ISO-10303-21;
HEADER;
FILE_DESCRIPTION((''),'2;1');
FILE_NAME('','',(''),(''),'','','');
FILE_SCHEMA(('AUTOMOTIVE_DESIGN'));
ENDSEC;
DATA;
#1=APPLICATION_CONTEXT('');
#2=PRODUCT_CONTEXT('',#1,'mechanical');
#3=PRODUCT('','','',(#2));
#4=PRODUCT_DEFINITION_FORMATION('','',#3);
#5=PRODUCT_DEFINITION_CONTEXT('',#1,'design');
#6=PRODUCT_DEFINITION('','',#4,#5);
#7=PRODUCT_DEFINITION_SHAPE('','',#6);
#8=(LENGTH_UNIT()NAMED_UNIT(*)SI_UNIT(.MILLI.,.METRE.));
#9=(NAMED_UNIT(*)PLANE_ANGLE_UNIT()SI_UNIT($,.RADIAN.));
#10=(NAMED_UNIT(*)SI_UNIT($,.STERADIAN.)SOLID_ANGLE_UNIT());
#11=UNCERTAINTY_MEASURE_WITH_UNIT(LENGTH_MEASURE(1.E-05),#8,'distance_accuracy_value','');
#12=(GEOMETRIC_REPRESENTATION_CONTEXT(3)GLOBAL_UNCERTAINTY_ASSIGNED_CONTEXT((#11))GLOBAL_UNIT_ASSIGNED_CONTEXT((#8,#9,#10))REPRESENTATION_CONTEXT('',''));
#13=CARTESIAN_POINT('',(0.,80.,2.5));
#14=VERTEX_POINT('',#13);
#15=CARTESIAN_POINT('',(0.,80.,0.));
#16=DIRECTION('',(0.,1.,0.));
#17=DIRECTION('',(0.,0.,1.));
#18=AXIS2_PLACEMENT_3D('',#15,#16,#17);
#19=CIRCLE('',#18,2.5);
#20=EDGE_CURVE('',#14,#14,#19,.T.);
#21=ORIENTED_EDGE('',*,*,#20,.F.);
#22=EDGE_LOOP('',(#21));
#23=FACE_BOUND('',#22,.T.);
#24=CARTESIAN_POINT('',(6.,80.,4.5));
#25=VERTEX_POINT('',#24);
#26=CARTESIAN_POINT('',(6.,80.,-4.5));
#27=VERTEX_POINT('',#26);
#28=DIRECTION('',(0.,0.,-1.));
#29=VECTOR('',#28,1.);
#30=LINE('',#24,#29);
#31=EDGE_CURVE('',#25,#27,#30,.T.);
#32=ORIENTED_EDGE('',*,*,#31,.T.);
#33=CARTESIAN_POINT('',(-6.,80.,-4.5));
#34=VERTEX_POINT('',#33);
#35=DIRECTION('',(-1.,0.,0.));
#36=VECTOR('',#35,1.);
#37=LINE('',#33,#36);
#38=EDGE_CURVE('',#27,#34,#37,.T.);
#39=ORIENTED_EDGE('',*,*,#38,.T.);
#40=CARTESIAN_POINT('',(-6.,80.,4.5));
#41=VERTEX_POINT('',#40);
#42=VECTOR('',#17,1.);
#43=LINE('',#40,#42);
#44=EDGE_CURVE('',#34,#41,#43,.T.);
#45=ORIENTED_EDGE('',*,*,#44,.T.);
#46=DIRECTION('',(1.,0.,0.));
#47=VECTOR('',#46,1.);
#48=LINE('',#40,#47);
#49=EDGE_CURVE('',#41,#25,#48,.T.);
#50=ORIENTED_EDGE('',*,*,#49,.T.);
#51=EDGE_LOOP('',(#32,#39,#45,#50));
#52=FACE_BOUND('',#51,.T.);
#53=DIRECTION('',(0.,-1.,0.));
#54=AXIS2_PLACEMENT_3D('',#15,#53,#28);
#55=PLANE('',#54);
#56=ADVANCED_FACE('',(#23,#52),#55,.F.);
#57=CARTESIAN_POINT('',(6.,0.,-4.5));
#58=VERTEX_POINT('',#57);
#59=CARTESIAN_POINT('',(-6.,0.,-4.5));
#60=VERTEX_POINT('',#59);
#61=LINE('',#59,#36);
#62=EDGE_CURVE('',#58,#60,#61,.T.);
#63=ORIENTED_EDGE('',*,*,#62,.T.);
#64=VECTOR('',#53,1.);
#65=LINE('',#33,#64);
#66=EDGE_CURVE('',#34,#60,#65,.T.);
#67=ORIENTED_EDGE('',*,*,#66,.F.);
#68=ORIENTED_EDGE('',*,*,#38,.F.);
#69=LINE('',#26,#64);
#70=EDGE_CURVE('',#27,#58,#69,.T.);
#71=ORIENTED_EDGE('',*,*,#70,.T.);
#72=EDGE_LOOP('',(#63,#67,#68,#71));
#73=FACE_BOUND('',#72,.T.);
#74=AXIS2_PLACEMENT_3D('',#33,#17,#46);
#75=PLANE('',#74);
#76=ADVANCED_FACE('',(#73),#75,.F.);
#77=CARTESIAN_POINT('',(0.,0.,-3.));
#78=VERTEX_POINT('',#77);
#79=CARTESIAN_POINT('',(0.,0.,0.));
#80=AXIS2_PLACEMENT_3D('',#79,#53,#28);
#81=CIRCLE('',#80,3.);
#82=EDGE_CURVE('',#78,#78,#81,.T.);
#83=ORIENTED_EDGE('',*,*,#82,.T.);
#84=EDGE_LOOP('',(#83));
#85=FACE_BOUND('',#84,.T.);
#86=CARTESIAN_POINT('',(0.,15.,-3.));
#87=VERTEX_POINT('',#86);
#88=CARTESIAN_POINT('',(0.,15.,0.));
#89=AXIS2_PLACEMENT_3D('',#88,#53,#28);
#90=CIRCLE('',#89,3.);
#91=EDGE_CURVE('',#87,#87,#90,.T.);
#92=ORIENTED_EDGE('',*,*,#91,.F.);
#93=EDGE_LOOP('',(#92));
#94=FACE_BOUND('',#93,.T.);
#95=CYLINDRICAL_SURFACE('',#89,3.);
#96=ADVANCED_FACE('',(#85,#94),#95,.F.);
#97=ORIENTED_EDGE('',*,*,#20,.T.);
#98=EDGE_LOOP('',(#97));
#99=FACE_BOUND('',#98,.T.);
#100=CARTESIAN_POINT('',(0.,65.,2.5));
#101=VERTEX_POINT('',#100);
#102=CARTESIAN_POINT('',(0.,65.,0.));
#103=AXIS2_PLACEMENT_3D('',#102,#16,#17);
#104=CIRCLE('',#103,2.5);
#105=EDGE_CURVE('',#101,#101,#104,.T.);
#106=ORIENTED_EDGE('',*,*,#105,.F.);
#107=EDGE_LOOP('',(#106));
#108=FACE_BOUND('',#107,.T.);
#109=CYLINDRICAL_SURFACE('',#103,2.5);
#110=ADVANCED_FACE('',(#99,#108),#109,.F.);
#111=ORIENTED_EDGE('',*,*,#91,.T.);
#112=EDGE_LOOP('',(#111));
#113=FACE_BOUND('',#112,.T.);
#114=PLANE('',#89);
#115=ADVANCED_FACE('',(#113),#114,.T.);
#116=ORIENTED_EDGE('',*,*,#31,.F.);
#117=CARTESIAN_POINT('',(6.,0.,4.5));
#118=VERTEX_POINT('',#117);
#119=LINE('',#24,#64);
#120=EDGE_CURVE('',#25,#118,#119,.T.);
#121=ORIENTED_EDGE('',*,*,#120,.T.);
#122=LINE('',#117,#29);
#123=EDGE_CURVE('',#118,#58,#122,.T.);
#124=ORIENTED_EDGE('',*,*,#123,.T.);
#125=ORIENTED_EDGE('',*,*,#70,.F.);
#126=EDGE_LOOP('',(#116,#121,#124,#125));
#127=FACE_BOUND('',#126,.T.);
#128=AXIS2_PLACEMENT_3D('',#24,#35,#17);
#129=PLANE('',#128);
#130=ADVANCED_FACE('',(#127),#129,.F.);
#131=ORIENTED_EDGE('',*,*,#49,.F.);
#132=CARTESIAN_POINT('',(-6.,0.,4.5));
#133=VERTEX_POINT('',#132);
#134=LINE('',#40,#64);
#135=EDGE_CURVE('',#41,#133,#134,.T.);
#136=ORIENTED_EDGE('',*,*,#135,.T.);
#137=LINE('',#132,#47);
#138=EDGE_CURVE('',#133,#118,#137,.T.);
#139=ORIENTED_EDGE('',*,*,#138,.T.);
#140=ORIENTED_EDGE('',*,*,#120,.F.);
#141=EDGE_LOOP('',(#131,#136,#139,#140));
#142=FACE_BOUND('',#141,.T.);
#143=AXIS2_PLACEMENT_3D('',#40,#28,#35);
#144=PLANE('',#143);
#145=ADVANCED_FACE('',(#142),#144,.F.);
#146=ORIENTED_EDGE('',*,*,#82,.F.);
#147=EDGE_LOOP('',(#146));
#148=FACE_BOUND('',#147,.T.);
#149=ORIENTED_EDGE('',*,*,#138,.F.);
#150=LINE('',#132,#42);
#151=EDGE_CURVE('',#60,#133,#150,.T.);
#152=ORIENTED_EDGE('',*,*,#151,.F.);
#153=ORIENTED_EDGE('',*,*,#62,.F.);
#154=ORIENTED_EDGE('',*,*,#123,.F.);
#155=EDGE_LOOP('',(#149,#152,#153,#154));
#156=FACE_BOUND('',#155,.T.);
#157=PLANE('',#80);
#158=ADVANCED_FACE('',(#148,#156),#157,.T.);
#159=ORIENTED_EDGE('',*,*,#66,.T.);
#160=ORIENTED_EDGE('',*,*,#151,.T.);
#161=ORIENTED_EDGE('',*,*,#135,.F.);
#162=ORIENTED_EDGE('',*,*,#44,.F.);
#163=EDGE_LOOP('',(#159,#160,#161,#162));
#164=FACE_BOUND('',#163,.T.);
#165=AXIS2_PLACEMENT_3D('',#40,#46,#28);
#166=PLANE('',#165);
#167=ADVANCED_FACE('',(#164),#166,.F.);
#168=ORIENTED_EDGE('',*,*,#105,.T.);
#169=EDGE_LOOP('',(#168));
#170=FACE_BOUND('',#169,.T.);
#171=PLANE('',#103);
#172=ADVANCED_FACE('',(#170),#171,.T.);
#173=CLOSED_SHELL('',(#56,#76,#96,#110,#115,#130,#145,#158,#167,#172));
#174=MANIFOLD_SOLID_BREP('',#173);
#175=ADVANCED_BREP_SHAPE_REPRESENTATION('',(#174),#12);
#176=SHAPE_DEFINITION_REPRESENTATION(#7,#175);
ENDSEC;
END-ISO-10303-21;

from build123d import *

# Parameters (mm, degrees)
SKETCH_2_W          = 12
SKETCH_2_H          = 9
EXTRUDE_1_DEPTH     = 80
SKETCH_3_R          = 3
CUT_EXTRUDE_1_DEPTH = 15
SKETCH_4_R          = 2.5
CUT_EXTRUDE_2_DEPTH = 15


with BuildPart() as part:
    # 草图2 → 凸台-拉伸1 (new body)
    with BuildSketch(Plane(origin=(0, 0, 0), x_dir=(1, 0, 0), z_dir=(0, 1, 0))):
        Rectangle(SKETCH_2_W, SKETCH_2_H)
    extrude(amount=EXTRUDE_1_DEPTH)

    # 草图3 → 切除-拉伸1 (cut)
    with BuildSketch(Plane.XZ):
        with Locations(Location((0, 0, 0), (0, 0, 270))):
            Circle(SKETCH_3_R)
    extrude(amount=-CUT_EXTRUDE_1_DEPTH, mode=Mode.SUBTRACT)

    # 草图4 → 切除-拉伸2 (cut)
    with BuildSketch(Plane(origin=(0, 80, 0), x_dir=(1, 0, 0), z_dir=(0, 1, 0))):
        with Locations(Location((0, 0, 0), (0, 0, 270))):
            Circle(SKETCH_4_R)
    extrude(amount=-CUT_EXTRUDE_2_DEPTH, mode=Mode.SUBTRACT)


solid = part.part
